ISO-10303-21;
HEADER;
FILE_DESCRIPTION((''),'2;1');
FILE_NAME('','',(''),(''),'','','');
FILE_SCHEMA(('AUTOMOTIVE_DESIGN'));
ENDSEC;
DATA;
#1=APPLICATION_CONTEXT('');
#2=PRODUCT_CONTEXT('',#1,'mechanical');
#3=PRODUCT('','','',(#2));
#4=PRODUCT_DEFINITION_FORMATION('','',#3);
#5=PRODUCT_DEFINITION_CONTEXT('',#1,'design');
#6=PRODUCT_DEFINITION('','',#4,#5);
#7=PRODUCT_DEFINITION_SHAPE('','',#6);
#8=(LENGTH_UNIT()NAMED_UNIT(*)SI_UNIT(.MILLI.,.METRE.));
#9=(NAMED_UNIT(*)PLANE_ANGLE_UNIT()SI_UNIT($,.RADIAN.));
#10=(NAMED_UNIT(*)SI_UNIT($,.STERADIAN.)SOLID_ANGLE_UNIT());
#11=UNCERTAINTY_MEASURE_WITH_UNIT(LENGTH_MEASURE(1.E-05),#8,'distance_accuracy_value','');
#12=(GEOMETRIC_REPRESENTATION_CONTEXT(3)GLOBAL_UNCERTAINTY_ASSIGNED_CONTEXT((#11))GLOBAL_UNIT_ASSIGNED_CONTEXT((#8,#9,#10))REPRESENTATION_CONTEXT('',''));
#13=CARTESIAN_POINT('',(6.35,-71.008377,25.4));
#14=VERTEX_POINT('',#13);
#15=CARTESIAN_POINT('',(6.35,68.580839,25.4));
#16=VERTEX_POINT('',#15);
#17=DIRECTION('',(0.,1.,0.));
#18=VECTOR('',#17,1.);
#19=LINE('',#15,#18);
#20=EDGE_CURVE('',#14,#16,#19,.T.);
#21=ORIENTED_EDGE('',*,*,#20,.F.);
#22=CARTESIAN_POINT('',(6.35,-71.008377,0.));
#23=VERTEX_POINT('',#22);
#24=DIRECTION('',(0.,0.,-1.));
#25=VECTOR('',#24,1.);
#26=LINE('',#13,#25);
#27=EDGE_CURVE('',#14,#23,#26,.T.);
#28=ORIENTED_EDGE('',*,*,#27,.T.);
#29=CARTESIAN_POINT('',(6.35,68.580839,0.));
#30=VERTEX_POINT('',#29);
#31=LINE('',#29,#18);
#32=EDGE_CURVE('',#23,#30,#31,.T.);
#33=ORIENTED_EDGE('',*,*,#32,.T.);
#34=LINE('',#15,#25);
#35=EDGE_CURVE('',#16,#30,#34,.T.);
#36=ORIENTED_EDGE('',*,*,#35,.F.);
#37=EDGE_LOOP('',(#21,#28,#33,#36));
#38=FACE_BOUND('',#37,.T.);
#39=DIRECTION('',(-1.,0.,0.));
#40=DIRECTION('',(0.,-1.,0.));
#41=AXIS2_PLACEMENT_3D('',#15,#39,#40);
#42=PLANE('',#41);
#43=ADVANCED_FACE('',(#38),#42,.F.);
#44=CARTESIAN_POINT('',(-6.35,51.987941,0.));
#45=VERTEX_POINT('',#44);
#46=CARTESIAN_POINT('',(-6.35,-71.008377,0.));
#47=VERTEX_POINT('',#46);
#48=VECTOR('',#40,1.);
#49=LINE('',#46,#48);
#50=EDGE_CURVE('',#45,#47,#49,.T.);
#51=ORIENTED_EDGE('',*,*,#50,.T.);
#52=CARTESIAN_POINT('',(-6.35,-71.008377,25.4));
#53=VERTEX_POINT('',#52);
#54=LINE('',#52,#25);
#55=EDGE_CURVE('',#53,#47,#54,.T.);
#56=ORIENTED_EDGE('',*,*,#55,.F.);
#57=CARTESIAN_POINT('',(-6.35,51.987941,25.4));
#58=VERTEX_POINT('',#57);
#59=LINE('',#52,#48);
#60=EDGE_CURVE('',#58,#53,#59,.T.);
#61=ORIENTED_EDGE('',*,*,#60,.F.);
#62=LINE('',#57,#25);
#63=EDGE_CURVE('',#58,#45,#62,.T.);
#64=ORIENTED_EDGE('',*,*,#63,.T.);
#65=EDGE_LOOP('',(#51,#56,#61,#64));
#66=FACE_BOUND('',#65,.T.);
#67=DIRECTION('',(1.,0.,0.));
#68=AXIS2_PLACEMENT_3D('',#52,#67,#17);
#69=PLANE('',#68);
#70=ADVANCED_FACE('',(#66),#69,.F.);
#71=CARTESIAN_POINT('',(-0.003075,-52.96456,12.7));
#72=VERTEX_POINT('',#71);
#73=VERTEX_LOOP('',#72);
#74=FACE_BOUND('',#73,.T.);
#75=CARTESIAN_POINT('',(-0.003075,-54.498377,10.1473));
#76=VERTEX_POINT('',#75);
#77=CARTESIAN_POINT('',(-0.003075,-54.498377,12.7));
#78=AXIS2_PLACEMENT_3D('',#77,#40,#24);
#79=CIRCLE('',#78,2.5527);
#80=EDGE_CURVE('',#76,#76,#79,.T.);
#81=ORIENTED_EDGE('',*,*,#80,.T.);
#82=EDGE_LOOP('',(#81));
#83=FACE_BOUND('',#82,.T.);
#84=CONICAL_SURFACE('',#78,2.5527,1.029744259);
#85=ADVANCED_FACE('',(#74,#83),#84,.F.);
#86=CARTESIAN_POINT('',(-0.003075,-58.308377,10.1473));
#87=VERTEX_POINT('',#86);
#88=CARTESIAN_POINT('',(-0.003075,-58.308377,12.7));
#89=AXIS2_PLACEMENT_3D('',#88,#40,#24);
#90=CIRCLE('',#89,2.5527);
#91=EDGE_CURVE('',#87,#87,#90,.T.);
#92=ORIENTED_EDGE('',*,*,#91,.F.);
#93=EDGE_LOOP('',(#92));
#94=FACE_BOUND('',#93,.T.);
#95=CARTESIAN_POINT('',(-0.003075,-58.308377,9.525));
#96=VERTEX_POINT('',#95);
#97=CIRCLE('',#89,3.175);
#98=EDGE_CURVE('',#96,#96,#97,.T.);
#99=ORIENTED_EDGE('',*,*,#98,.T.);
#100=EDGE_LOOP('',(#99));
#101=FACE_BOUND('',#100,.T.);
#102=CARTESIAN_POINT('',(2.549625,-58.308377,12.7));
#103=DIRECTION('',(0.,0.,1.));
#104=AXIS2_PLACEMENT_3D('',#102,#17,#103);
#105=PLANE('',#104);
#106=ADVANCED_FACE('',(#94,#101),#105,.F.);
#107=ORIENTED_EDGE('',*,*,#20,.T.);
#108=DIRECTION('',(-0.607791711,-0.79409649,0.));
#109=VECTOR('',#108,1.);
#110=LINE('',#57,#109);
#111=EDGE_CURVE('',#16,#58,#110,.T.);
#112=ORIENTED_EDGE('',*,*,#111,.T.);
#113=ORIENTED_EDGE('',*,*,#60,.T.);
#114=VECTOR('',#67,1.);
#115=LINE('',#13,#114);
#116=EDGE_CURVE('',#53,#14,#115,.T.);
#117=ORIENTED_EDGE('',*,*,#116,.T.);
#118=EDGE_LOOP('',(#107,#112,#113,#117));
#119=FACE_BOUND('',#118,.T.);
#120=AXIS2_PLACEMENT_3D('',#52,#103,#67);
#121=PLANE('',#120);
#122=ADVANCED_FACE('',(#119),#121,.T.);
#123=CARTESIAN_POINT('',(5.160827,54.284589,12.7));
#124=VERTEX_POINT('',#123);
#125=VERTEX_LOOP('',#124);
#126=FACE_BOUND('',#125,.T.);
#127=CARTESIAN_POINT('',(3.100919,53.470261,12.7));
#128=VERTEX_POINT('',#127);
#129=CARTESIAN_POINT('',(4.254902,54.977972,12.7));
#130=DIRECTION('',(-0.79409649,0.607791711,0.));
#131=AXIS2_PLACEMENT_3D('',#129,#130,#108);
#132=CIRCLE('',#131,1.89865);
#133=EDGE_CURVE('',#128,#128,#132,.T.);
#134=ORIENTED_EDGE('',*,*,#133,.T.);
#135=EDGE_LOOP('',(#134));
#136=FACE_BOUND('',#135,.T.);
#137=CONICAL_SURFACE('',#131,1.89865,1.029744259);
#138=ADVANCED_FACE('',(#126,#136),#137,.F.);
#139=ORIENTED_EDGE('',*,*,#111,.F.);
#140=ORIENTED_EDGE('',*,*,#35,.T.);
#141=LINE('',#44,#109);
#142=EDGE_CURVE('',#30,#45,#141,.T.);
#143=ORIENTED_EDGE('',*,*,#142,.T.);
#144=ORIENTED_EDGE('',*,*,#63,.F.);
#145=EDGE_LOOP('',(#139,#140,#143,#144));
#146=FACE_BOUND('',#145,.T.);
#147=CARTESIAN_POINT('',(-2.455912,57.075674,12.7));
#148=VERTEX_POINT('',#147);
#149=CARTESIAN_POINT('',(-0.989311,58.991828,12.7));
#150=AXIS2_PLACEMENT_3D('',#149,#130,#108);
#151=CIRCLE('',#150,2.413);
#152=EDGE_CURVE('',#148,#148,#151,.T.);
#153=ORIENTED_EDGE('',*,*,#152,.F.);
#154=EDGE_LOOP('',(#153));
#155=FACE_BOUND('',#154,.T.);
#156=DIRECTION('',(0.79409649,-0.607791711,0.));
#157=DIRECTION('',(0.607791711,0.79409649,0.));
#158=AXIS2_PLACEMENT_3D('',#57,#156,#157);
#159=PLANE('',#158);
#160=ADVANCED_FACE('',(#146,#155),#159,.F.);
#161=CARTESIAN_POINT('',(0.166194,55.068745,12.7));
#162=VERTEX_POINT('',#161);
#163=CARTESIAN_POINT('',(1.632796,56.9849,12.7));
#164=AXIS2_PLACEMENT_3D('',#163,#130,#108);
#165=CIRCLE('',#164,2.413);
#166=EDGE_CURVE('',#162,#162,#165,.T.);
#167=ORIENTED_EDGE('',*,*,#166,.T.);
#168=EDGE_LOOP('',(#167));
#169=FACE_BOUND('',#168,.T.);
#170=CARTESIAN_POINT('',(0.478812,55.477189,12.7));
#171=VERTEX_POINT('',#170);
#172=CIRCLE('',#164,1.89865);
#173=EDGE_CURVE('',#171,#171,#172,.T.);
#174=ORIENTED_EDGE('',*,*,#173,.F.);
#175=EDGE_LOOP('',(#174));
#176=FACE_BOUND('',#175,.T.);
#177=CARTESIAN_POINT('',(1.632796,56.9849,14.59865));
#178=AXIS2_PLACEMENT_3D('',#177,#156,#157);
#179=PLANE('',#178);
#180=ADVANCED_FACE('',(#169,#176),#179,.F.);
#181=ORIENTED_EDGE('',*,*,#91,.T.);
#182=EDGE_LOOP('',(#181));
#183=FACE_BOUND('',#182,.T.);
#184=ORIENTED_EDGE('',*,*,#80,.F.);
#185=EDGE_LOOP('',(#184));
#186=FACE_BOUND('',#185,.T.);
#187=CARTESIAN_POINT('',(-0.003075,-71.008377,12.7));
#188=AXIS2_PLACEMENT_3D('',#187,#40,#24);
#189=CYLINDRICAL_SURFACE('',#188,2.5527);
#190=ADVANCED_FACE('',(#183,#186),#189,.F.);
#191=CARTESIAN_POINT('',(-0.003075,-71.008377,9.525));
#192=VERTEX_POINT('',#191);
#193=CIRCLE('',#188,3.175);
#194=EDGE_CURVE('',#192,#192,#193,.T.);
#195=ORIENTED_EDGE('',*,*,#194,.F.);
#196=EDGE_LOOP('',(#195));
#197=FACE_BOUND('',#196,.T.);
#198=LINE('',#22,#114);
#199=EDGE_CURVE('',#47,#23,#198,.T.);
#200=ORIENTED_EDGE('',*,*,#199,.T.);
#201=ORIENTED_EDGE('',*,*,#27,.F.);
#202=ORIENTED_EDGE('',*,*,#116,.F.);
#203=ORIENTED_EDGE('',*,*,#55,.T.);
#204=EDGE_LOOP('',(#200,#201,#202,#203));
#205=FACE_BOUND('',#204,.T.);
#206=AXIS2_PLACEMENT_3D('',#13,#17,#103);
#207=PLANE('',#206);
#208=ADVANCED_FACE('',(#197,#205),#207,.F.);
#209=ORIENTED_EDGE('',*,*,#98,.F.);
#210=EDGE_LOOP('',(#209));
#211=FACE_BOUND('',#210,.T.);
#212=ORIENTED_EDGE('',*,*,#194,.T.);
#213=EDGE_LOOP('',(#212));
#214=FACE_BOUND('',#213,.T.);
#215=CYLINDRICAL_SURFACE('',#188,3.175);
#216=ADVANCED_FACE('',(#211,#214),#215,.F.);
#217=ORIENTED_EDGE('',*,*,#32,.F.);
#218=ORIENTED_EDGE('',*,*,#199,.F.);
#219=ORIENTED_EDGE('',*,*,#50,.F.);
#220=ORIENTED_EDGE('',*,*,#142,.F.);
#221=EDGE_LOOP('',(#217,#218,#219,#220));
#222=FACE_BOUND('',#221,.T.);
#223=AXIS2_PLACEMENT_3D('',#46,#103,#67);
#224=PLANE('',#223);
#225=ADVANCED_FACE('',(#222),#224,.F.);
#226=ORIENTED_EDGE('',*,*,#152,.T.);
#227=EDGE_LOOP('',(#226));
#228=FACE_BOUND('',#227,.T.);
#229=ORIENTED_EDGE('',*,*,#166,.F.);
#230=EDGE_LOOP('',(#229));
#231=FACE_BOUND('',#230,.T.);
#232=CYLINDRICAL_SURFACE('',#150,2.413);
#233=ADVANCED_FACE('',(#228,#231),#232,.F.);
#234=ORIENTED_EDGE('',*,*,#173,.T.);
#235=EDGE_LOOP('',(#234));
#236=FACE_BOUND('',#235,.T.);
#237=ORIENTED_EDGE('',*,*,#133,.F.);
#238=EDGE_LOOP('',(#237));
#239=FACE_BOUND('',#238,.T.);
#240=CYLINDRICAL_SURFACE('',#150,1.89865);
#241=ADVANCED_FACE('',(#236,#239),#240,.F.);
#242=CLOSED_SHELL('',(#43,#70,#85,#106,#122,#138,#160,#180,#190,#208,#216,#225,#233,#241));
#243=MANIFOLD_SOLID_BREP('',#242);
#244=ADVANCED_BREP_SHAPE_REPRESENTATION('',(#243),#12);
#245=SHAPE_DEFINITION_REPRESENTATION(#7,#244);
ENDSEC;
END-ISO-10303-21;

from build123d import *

# Parameters (mm, degrees)
EXTRUDE1_DEPTH                    = 25.4
F_10_24_TAPPED_HOLE1_D            = 3.7973
F_10_24_TAPPED_HOLE1_DEPTH        = 6.604
F_10_24_TAPPED_HOLE1_CBORE_D      = 4.826
F_10_24_TAPPED_HOLE1_CBORE_DEPTH  = 3.302
F_10_24_TAPPED_HOLE1_TIP          = 1.140824014
F_1_4_20_TAPPED_HOLE2_D           = 5.1054
F_1_4_20_TAPPED_HOLE2_DEPTH       = 16.51
F_1_4_20_TAPPED_HOLE2_CBORE_D     = 6.35
F_1_4_20_TAPPED_HOLE2_CBORE_DEPTH = 12.7
F_1_4_20_TAPPED_HOLE2_TIP         = 1.533816902


with BuildPart() as part:
    # Sketch1 → Extrude1 (new body)
    with BuildSketch(Plane.XY):
        Polygon((-6.35, 51.987941466), (6.35, 68.580838747), (6.35, -71.008376889), (-6.35, -71.008376889), align=None)
    extrude(amount=EXTRUDE1_DEPTH)

    # #10-24 Tapped Hole1
    with Locations(Plane(origin=(-37.120191611, 11.785844717, 18.061260674), x_dir=(0.6077917109691768, 0.7940964904072809, 0), z_dir=(-0.7940964904072809, 0.6077917109691768, 0))):
        with Locations((59.446155795, 5.361260674)):
            CounterBoreHole(F_10_24_TAPPED_HOLE1_D / 2, F_10_24_TAPPED_HOLE1_CBORE_D / 2, F_10_24_TAPPED_HOLE1_CBORE_DEPTH, depth=F_10_24_TAPPED_HOLE1_DEPTH)
            with Locations((0, 0, -(F_10_24_TAPPED_HOLE1_DEPTH + F_10_24_TAPPED_HOLE1_TIP / 2))):  # 118° drill point
                Cone(0, F_10_24_TAPPED_HOLE1_D / 2, F_10_24_TAPPED_HOLE1_TIP, mode=Mode.SUBTRACT)

    # 1/4-20 Tapped Hole2
    with Locations(Plane(origin=(-43.496001464, -71.008376889, 18.061260674), x_dir=(-1, 0, 0), z_dir=(0, -1, 0))):
        with Locations((-43.492926523, 5.361260674)):
            CounterBoreHole(F_1_4_20_TAPPED_HOLE2_D / 2, F_1_4_20_TAPPED_HOLE2_CBORE_D / 2, F_1_4_20_TAPPED_HOLE2_CBORE_DEPTH, depth=F_1_4_20_TAPPED_HOLE2_DEPTH)
            with Locations((0, 0, -(F_1_4_20_TAPPED_HOLE2_DEPTH + F_1_4_20_TAPPED_HOLE2_TIP / 2))):  # 118° drill point
                Cone(0, F_1_4_20_TAPPED_HOLE2_D / 2, F_1_4_20_TAPPED_HOLE2_TIP, mode=Mode.SUBTRACT)


solid = part.part
